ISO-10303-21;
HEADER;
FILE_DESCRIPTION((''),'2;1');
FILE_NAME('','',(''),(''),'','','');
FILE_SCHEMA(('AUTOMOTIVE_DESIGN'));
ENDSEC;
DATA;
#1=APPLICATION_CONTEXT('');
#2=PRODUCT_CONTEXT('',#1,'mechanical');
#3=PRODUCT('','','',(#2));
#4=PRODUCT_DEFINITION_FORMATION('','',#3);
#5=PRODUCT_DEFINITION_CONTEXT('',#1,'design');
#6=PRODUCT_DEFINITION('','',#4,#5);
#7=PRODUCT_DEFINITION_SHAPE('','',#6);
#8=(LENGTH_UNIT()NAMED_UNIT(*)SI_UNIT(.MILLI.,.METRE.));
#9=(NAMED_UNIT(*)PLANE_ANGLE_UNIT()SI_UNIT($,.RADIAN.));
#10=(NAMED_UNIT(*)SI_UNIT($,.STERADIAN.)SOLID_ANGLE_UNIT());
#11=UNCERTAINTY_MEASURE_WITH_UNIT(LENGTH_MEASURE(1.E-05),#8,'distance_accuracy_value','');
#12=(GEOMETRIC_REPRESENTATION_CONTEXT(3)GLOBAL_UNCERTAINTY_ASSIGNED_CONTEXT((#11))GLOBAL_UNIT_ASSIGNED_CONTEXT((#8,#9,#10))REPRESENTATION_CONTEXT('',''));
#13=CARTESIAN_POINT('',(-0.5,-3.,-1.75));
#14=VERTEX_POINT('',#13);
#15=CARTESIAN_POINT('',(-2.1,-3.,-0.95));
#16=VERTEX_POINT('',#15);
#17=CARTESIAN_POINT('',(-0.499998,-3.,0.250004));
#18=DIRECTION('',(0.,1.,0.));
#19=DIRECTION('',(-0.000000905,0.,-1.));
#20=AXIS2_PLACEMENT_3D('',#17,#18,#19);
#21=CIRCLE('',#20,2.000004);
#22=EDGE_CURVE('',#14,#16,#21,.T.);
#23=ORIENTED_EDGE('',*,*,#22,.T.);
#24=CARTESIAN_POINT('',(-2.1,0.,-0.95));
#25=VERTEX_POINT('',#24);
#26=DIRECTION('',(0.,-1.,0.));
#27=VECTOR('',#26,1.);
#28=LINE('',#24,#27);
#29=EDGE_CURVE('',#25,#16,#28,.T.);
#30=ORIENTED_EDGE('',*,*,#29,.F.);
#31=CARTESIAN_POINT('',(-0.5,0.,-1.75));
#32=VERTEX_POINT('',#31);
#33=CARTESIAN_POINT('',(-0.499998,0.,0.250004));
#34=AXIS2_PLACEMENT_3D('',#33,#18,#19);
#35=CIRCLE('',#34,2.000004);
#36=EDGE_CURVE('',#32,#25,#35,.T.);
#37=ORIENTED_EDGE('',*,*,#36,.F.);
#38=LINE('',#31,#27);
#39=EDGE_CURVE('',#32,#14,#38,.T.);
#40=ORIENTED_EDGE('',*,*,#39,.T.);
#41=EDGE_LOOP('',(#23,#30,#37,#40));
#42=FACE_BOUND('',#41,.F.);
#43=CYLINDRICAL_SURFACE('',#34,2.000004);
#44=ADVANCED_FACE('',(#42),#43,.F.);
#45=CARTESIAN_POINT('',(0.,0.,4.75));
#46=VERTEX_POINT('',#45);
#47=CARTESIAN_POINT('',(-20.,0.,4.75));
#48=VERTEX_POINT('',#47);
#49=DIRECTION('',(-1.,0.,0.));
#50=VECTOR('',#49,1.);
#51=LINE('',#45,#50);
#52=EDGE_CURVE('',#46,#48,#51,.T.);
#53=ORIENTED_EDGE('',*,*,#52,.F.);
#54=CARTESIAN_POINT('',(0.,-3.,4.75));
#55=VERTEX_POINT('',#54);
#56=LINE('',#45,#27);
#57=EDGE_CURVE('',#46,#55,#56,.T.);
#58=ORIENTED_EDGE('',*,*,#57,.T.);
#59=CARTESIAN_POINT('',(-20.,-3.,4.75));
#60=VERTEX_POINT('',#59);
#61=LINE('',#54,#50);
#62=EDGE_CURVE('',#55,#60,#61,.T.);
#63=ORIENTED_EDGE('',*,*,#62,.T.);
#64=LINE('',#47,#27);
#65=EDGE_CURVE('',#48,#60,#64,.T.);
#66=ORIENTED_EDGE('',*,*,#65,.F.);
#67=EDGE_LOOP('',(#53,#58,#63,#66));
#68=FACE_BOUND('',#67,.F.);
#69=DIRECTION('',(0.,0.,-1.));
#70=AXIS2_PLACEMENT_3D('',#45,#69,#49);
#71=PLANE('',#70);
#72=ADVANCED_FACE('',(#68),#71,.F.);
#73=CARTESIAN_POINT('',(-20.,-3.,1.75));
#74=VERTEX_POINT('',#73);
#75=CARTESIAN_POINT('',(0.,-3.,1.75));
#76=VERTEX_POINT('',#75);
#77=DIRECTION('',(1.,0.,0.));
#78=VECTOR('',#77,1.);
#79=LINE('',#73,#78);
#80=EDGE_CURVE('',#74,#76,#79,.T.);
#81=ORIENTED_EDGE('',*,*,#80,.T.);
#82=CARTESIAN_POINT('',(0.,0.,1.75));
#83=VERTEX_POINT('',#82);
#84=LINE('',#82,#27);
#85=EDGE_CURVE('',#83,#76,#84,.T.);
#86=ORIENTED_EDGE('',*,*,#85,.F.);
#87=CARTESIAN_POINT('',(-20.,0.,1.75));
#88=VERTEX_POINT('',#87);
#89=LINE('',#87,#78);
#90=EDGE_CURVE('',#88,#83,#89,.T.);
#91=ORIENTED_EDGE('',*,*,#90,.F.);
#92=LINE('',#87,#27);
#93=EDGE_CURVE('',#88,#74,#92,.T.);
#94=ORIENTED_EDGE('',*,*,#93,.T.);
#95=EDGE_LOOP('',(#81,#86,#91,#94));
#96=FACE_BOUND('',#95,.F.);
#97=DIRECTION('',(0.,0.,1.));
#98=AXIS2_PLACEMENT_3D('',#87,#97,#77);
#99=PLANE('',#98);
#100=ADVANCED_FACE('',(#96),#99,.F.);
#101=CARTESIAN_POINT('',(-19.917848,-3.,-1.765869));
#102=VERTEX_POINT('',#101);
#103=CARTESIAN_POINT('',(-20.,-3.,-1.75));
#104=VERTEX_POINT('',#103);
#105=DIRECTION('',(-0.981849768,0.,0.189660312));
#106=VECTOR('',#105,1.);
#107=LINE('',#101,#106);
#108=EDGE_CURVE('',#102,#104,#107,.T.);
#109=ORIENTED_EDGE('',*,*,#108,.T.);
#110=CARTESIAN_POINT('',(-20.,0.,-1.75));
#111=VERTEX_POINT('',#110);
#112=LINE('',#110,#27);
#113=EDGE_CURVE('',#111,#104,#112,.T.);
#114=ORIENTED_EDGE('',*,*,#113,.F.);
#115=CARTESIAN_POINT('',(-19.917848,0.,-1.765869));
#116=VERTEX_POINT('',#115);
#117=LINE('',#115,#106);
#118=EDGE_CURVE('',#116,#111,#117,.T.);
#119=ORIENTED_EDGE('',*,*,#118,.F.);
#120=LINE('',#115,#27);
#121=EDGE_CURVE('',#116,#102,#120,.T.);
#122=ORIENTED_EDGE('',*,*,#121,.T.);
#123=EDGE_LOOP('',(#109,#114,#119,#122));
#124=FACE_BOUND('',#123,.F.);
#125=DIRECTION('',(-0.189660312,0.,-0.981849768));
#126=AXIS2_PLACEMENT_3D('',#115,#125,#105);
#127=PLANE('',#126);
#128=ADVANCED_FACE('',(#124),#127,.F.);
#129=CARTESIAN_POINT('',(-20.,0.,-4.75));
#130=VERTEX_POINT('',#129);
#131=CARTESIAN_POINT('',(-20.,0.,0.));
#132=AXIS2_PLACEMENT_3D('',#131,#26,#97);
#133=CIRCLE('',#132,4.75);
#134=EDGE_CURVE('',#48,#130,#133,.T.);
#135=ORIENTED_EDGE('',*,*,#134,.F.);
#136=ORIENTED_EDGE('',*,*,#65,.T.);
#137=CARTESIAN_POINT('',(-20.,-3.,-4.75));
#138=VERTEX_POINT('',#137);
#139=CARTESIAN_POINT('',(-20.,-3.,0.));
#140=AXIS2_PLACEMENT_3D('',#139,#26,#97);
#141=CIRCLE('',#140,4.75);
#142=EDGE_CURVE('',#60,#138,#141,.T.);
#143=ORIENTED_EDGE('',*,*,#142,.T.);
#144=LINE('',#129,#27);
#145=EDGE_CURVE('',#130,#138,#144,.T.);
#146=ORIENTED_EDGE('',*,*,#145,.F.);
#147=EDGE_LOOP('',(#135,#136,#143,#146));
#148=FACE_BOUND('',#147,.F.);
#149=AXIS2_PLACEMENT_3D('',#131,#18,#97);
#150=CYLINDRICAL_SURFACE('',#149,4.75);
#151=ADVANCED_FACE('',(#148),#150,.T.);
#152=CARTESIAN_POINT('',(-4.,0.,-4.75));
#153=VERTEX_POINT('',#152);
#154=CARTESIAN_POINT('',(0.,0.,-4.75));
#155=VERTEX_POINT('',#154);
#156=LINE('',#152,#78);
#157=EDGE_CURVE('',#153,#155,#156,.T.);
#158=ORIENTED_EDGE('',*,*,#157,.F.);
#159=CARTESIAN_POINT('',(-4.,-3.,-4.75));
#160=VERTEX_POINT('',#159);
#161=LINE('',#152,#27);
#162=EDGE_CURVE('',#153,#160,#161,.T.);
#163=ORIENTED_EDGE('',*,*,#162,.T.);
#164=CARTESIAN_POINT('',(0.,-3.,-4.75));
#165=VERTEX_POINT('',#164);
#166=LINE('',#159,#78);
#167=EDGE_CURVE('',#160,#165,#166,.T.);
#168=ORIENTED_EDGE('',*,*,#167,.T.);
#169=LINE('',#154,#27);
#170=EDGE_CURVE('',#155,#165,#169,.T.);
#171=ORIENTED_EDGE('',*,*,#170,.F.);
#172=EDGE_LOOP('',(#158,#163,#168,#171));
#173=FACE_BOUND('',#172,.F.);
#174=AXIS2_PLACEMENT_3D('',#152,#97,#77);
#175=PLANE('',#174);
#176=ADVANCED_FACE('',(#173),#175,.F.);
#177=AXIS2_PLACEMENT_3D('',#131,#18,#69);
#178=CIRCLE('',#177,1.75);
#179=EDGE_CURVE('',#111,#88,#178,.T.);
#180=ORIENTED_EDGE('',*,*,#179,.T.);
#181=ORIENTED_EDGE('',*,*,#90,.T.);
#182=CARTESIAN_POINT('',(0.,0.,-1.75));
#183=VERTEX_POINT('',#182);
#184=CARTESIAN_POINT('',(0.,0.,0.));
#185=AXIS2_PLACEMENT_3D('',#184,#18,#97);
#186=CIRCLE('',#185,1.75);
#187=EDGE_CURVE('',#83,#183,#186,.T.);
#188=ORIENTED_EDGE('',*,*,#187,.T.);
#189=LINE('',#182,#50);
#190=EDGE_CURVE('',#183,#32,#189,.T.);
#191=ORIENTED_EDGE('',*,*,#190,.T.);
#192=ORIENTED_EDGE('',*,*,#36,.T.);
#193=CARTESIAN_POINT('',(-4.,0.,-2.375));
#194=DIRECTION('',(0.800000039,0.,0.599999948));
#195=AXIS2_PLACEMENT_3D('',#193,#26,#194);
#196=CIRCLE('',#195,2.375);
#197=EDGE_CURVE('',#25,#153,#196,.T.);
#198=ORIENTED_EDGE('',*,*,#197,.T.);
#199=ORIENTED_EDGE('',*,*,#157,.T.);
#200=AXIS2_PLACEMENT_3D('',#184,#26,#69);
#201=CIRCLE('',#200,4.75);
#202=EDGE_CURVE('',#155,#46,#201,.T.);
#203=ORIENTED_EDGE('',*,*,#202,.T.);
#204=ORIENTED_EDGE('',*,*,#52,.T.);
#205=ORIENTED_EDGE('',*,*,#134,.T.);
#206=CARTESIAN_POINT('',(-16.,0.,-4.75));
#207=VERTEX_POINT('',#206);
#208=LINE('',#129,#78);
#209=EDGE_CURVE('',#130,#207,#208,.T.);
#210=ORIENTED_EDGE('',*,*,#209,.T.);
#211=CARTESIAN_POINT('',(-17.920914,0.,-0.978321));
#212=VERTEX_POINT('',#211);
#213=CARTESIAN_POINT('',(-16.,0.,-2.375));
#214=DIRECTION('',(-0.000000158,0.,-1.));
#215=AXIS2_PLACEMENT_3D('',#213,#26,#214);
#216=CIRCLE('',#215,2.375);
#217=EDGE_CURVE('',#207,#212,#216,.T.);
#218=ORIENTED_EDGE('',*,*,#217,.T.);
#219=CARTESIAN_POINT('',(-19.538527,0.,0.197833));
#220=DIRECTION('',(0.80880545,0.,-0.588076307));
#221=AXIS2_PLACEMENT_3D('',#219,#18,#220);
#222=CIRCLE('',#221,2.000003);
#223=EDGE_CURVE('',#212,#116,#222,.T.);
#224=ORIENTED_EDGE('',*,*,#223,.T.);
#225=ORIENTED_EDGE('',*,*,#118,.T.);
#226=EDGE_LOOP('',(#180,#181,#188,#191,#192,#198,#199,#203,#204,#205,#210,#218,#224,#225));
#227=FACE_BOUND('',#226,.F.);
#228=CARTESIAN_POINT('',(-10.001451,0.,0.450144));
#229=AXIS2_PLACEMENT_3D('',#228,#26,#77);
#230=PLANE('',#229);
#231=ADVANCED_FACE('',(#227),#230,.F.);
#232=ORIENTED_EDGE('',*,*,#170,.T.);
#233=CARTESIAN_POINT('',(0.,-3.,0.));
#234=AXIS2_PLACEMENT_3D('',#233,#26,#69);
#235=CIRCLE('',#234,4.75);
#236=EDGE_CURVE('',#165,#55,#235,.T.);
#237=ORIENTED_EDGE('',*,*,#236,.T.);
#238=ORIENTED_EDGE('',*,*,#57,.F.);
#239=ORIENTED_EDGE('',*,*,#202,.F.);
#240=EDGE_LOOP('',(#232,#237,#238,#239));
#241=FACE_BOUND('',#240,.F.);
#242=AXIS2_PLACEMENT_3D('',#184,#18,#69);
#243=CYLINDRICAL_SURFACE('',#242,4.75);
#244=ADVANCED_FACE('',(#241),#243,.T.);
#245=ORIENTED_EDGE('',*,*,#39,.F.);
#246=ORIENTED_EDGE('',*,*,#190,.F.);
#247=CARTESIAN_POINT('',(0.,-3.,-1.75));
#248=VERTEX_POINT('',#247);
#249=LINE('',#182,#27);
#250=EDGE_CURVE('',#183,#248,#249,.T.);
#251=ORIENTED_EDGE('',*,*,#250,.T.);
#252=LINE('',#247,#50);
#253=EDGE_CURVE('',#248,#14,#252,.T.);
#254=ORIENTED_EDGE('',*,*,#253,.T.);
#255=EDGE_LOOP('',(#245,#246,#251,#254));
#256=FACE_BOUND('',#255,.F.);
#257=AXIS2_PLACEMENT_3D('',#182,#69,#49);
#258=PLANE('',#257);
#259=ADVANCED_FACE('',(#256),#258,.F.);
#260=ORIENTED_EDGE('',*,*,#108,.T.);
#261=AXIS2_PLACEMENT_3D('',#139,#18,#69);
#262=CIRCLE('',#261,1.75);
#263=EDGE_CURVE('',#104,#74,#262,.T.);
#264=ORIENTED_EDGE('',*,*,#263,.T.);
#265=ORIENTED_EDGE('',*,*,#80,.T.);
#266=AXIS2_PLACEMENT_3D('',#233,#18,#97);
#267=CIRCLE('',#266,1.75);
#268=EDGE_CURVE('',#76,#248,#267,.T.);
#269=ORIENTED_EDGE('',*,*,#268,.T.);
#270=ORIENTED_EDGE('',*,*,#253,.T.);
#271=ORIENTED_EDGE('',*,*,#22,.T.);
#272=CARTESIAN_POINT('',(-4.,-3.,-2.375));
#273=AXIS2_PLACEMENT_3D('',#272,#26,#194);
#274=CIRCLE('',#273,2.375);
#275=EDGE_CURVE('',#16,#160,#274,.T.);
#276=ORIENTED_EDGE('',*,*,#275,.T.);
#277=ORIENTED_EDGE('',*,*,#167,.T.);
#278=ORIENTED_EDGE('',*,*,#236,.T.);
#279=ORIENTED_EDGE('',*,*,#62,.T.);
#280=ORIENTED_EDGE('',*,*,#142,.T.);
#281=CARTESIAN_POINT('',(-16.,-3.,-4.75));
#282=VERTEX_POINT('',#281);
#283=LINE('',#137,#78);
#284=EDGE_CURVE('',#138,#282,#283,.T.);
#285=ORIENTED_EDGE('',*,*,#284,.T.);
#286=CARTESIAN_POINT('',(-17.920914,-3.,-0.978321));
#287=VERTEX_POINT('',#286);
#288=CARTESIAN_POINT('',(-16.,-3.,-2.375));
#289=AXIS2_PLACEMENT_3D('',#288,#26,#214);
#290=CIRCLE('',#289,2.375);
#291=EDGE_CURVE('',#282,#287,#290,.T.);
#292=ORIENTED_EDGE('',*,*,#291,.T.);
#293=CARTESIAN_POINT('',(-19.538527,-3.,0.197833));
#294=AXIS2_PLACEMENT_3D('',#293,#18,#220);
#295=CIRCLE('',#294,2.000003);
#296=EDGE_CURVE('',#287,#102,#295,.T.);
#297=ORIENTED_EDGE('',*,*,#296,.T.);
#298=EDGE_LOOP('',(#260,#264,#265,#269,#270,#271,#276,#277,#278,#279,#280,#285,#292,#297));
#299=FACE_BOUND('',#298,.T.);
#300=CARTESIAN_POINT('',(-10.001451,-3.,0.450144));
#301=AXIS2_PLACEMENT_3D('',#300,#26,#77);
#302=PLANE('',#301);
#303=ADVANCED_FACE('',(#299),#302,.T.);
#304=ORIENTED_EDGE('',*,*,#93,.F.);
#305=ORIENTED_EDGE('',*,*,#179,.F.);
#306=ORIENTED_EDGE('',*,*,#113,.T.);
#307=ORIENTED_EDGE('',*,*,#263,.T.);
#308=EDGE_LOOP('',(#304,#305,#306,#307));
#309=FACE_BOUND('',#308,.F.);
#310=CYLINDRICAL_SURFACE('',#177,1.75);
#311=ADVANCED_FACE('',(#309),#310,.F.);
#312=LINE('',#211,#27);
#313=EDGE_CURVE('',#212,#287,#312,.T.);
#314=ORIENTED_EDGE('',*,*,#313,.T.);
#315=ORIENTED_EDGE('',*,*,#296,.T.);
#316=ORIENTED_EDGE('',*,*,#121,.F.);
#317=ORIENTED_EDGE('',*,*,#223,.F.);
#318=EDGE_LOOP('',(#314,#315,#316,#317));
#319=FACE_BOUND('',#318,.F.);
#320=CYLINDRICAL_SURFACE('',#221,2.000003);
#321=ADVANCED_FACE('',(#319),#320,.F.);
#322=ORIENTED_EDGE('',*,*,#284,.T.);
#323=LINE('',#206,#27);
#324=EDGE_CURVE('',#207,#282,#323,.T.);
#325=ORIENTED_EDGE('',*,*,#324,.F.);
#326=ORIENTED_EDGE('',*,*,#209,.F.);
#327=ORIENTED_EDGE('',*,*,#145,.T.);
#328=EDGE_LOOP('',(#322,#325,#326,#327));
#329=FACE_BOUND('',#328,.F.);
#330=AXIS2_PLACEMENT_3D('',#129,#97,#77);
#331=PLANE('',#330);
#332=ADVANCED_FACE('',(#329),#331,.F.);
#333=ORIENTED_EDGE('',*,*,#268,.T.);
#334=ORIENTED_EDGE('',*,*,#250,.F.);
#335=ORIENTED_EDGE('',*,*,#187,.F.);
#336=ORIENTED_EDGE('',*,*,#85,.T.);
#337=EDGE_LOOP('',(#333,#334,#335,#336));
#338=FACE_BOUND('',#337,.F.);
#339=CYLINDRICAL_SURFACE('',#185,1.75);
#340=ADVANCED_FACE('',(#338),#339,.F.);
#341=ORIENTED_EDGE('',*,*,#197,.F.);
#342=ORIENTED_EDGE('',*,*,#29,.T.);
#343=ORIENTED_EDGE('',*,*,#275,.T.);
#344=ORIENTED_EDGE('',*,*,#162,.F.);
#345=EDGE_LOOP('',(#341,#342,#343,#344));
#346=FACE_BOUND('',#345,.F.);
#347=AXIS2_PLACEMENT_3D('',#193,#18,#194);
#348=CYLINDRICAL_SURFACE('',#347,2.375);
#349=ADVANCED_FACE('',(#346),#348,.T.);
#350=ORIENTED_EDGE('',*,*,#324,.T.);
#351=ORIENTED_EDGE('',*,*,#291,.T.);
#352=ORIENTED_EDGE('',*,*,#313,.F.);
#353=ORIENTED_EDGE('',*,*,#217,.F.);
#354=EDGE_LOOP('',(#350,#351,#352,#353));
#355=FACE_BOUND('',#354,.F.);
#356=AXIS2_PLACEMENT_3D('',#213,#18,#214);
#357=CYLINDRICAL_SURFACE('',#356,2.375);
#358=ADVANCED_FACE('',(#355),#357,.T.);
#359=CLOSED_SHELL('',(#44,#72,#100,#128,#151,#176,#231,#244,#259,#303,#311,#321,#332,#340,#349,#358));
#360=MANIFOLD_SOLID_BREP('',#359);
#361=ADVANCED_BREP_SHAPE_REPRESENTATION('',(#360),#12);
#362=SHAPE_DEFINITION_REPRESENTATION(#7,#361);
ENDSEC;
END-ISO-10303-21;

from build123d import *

# Parameters (mm, degrees)
F1_DEPTH = 3


with BuildPart() as f1:
    # F0 (on Front) → F1 (new body)
    with BuildSketch(Plane.XZ):
        with BuildLine():
            ThreePointArc((0, 1.75), (1.75, 0), (0, -1.75))
            Line((0, -1.75), (-0.5, -1.75))
            ThreePointArc((-0.5, -1.75), (-1.394427, -1.538854), (-2.1, -0.95))
            ThreePointArc((-2.1, -0.95), (-6.124265, -1.312868), (-4, -4.75))
            Line((-4, -4.75), (0, -4.75))
            ThreePointArc((0, -4.75), (4.75, 0), (0, 4.75))
            Line((0, 4.75), (-20, 4.75))
            ThreePointArc((-20, 4.75), (-24.75, 0), (-20, -4.75))
            Line((-20, -4.75), (-16, -4.75))
            ThreePointArc((-16, -4.75), (-13.883666, -1.297152), (-17.920914, -0.978321))
            ThreePointArc((-17.920914, -0.978321), (-18.804769, -1.662707), (-19.917848, -1.765869))
            Line((-19.917848, -1.765869), (-20, -1.75))
            ThreePointArc((-20, -1.75), (-21.75, 0), (-20, 1.75))
            Line((-20, 1.75), (0, 1.75))
        make_face()
    extrude(amount=F1_DEPTH)


solid = f1.part
